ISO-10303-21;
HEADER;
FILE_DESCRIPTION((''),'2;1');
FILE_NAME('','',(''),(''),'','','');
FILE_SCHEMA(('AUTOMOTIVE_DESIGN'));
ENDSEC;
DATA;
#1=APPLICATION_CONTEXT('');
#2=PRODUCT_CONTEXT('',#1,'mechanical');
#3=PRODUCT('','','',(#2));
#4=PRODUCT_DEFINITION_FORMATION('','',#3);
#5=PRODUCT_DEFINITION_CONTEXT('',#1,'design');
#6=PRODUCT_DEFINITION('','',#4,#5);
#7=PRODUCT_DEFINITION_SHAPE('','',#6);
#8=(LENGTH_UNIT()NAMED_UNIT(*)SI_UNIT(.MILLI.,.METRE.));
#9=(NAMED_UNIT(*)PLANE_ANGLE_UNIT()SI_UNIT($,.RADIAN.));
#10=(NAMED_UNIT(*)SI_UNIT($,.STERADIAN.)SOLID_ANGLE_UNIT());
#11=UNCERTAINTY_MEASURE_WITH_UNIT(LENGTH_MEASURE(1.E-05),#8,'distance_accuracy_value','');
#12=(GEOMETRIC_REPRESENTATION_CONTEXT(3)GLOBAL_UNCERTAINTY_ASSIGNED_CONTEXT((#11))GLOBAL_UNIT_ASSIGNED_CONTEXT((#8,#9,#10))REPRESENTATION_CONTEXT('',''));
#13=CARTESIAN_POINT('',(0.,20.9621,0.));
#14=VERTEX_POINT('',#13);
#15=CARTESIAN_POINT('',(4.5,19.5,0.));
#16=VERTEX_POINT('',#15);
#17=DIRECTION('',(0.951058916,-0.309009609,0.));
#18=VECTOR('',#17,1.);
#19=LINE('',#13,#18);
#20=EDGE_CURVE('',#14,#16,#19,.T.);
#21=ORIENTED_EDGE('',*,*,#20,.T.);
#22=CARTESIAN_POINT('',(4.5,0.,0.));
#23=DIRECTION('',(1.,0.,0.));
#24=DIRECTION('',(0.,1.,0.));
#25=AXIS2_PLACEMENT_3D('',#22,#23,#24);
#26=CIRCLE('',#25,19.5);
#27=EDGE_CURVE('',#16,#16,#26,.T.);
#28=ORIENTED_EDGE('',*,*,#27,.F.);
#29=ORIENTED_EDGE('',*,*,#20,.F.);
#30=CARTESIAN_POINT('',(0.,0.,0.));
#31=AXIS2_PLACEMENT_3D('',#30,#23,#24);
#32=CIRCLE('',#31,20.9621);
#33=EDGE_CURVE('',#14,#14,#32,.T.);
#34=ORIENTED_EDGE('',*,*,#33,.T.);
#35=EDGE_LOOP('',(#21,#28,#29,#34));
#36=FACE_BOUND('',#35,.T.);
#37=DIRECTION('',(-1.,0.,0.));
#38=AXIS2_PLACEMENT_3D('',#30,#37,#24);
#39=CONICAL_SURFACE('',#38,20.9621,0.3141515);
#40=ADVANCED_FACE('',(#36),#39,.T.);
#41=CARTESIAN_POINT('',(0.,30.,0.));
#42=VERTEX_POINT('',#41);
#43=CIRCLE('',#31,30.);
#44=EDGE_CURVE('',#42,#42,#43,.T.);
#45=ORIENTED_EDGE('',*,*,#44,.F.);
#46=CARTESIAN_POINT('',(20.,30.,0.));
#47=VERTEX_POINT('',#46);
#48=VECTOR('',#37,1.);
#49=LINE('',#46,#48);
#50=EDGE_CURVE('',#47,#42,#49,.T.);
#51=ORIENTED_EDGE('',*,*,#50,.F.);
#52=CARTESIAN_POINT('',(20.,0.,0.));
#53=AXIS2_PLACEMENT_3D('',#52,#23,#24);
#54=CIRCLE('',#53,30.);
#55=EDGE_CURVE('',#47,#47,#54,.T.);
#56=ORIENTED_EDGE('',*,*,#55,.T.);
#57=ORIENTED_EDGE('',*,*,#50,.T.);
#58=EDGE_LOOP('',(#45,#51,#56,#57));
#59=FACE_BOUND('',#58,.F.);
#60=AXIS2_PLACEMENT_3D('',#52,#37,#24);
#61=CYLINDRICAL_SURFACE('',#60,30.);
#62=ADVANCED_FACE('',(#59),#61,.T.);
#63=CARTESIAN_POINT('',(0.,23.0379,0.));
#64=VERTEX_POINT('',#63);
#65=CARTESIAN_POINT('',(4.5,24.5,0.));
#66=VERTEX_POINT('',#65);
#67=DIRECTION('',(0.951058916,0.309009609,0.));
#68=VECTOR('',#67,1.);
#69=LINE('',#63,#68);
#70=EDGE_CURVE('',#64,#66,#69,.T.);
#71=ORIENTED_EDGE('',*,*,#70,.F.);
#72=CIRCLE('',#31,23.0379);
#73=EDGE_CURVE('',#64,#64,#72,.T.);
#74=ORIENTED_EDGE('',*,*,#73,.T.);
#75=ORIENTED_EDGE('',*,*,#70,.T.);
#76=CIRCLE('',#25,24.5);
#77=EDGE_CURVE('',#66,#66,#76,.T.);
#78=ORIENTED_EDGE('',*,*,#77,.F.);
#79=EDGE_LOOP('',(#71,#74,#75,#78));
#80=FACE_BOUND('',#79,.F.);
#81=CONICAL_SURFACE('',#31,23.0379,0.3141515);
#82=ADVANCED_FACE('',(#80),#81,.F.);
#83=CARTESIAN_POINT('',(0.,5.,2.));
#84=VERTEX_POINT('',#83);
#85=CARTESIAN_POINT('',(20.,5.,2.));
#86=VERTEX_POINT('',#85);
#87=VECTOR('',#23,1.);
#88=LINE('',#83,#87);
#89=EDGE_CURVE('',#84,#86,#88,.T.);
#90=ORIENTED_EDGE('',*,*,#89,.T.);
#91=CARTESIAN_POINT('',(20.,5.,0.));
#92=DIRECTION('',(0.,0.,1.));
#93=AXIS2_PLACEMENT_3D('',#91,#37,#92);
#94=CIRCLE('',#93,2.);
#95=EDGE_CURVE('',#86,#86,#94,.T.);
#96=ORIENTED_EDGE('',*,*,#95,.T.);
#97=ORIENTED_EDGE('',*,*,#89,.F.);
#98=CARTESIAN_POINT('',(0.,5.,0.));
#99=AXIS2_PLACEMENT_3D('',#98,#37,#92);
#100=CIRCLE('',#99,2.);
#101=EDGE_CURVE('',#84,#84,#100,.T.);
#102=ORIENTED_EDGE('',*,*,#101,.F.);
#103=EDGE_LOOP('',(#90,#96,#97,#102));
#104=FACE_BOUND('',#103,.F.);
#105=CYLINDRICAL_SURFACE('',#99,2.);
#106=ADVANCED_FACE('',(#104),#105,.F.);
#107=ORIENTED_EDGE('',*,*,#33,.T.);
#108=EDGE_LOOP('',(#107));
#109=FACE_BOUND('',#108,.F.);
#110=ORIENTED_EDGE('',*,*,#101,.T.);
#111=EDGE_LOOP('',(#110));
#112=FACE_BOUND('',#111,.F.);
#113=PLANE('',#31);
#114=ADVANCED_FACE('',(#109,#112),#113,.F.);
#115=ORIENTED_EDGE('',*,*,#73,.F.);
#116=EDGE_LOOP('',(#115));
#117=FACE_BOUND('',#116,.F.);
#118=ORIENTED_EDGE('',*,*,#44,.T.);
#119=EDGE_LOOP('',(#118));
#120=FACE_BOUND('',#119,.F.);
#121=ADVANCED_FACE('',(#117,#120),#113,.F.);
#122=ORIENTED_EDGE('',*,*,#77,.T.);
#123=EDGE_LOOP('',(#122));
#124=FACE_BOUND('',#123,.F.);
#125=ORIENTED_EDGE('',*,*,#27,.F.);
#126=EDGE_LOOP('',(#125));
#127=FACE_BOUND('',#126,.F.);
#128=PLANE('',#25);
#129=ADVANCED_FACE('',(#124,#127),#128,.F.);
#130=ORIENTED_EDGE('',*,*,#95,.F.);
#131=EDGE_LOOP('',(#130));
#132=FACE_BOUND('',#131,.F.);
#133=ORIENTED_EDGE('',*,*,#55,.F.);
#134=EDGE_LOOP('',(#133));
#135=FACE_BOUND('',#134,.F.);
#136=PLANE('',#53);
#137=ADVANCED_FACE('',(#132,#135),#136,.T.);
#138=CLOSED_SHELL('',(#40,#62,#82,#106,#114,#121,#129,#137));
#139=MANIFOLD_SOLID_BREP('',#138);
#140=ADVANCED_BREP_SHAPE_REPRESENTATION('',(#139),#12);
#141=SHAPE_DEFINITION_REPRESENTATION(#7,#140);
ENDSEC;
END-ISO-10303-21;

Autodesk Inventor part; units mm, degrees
ref_plane "YZ Plane" through (0, 0, 0) normal (1, 0, 0) x (0, 1, 0)
ref_plane "XZ Plane" through (0, 0, 0) normal (0, 1, 0) x (-1, 0, 0)
ref_plane "XY Plane" through (0, 0, 0) normal (0, 0, 1) x (1, 0, 0)
sketch "Эскиз1" plane through (0, 0, 0) normal (0, 0, 1) x (1, 0, 0)
  line L0 (0, 0) -> (20, 0)
  line L1 (20, 0) -> (20, 30)
  line L2 (20, 30) -> (0, 30)
  line L3 (0, 30) -> (0, 0)
  dimension "d0" = 20
  dimension "d1" = 30
revolve "Вращение1" add sketch "Эскиз1" angle 360 about axis through (0, 0, 0) along (1, 0, 0)
sketch "Эскиз2" plane through (0, 0, 0) normal (-1, 0, 0) x (0, 0, 1)
  circle A0 centre (0, 5) radius 2
  point P0 (0, 0)
  dimension "d3" = 4
  dimension "d4" = 5
extrude "Выдавливание1" cut sketch "Эскиз2" against normal blind 20
sketch "Эскиз3" plane through (0, 0, 0) normal (0, 0, 1) x (1, 0, 0)
  line L0 (0, 3) -> (0, 7) projected
  line L1 (0, -30) -> (0, 30) construction
  line L2 (0, 22) -> (4.5, 22) construction
  line L3 (0, 23.0379) -> (4.5, 24.5)
  line L4 (4.5, 24.5) -> (4.5, 22)
  line L5 (0, 0) -> (20, 0)
  line L6 (20, -30) -> (20, 30) construction
  line L7 (0, 22) -> (0, 23.0379)
  line L8 (0, 74) -> (0, 14) construction
  line L9 (0, 20.9621) -> (4.5, 19.5)
  line L10 (4.5, 19.5) -> (4.5, 22)
  line L11 (0, 22) -> (0, 20.9621)
  dimension "d7" = 4.5
  dimension "d8" = 22
  dimension "d10" = 72
  dimension "d12" = 2.5
revolve "Вращение3" cut sketch "Эскиз3" angle 360 about axis through (0, 0, 0) along (1, 0, 0)
properties part number "711116"
